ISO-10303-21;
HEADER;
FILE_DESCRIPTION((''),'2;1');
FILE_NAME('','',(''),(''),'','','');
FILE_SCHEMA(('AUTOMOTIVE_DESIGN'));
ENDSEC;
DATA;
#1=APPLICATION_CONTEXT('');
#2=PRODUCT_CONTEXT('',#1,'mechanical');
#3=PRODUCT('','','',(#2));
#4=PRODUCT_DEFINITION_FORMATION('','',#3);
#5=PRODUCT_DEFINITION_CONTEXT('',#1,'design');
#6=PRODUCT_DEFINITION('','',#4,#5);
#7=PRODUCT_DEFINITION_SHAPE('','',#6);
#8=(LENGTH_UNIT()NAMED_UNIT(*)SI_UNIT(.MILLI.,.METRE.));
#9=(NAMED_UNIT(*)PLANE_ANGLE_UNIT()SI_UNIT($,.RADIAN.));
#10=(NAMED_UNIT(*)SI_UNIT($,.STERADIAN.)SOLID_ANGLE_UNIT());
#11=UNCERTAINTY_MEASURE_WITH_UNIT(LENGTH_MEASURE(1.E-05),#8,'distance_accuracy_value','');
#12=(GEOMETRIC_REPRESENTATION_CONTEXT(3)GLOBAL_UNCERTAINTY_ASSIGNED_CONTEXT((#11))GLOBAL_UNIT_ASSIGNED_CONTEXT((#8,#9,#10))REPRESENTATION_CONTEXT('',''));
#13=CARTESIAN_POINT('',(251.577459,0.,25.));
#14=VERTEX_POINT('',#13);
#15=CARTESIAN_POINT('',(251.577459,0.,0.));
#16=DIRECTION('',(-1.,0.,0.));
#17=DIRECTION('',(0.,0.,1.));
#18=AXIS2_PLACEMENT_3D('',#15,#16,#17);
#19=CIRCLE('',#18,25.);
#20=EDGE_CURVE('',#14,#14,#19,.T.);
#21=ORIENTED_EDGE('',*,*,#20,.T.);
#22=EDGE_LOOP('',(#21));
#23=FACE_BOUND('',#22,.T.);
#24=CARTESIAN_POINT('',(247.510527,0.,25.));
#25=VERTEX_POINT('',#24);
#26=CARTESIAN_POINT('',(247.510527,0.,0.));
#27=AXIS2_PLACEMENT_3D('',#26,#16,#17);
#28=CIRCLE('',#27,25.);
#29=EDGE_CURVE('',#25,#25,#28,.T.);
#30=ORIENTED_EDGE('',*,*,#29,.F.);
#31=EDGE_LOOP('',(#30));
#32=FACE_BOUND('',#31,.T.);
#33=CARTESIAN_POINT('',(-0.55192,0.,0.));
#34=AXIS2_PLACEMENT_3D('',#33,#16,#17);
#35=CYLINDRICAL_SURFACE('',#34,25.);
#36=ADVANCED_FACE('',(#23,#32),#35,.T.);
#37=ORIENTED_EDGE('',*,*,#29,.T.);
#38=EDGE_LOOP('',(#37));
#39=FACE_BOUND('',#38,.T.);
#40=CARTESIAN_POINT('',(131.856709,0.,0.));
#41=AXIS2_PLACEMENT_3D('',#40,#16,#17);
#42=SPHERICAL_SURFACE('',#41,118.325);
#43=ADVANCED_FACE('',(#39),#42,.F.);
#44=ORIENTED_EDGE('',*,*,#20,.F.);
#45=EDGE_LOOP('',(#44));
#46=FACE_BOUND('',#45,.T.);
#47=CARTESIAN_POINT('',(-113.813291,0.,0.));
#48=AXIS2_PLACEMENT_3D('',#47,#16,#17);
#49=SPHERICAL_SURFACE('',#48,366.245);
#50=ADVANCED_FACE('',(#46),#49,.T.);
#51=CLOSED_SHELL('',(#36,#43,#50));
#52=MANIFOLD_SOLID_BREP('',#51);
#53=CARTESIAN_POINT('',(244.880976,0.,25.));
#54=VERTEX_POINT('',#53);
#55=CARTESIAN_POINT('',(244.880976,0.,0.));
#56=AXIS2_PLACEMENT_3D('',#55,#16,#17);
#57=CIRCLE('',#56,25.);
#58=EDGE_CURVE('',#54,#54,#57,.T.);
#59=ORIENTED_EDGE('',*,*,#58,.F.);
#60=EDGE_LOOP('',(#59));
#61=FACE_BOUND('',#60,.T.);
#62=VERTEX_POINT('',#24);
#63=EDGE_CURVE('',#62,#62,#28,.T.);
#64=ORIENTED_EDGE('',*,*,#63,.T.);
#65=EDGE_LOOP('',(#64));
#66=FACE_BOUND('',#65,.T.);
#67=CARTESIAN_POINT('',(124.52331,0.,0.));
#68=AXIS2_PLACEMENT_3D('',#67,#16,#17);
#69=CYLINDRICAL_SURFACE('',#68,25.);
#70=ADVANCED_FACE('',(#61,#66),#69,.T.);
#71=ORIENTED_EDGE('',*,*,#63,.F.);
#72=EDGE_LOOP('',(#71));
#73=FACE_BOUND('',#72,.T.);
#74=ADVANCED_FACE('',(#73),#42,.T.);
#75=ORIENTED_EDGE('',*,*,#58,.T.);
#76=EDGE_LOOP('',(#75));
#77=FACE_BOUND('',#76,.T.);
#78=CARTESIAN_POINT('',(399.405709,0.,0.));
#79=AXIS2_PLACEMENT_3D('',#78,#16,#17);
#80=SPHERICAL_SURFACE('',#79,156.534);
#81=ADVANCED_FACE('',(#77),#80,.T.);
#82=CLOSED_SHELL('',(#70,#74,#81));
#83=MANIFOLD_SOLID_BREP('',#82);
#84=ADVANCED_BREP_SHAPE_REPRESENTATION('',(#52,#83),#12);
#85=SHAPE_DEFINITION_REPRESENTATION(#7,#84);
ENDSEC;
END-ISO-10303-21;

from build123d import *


with BuildPart() as part:
    # 草图1 one side → 旋转1 (revolve)
    with BuildSketch(Plane(origin=(0, 0, 0), x_dir=(1, 0, 0), z_dir=(0, 1, 0)), mode=Mode.PRIVATE) as revolve_1_sk:
        with BuildLine():
            ThreePointArc((244.880975766, 25), (243.374834193, 12.540306548), (242.871708919, 0))
            Line((242.871708919, 0), (250.181708919, 0))
            ThreePointArc((250.181708919, 0), (249.512018283, 12.57114964), (247.510526949, 25))
            Line((247.510526949, 25), (244.880975766, 25))
        make_face()
    revolve(revolve_1_sk.sketch.rotate(Axis((124.523309526, 0, 0), (1, 0, 0)), 180), axis=Axis((124.523309526, 0, 0), (1, 0, 0)))  # turned: the seam where the file's is


with BuildPart() as body_2:
    # 草图2 one side → 旋转3 (revolve)
    with BuildSketch(Plane(origin=(0, 0, 0), x_dir=(1, 0, 0), z_dir=(0, 1, 0)), mode=Mode.PRIVATE) as revolve_3_sk:
        with BuildLine():
            Line((251.577458699, 25), (247.510526949, 25))
            ThreePointArc((247.510526949, 25), (249.512018283, 12.57114964), (250.181708919, 0))
            Line((250.181708919, 0), (252.431708919, 0))
            ThreePointArc((252.431708919, 0), (252.218084062, 12.507295306), (251.577458699, 25))
        make_face()
    revolve(revolve_3_sk.sketch.rotate(Axis((-0.551919993, 0, 0), (1, 0, 0)), 180), axis=Axis((-0.551919993, 0, 0), (1, 0, 0)))  # turned: the seam where the file's is


solid = Compound([part.part, body_2.part])
